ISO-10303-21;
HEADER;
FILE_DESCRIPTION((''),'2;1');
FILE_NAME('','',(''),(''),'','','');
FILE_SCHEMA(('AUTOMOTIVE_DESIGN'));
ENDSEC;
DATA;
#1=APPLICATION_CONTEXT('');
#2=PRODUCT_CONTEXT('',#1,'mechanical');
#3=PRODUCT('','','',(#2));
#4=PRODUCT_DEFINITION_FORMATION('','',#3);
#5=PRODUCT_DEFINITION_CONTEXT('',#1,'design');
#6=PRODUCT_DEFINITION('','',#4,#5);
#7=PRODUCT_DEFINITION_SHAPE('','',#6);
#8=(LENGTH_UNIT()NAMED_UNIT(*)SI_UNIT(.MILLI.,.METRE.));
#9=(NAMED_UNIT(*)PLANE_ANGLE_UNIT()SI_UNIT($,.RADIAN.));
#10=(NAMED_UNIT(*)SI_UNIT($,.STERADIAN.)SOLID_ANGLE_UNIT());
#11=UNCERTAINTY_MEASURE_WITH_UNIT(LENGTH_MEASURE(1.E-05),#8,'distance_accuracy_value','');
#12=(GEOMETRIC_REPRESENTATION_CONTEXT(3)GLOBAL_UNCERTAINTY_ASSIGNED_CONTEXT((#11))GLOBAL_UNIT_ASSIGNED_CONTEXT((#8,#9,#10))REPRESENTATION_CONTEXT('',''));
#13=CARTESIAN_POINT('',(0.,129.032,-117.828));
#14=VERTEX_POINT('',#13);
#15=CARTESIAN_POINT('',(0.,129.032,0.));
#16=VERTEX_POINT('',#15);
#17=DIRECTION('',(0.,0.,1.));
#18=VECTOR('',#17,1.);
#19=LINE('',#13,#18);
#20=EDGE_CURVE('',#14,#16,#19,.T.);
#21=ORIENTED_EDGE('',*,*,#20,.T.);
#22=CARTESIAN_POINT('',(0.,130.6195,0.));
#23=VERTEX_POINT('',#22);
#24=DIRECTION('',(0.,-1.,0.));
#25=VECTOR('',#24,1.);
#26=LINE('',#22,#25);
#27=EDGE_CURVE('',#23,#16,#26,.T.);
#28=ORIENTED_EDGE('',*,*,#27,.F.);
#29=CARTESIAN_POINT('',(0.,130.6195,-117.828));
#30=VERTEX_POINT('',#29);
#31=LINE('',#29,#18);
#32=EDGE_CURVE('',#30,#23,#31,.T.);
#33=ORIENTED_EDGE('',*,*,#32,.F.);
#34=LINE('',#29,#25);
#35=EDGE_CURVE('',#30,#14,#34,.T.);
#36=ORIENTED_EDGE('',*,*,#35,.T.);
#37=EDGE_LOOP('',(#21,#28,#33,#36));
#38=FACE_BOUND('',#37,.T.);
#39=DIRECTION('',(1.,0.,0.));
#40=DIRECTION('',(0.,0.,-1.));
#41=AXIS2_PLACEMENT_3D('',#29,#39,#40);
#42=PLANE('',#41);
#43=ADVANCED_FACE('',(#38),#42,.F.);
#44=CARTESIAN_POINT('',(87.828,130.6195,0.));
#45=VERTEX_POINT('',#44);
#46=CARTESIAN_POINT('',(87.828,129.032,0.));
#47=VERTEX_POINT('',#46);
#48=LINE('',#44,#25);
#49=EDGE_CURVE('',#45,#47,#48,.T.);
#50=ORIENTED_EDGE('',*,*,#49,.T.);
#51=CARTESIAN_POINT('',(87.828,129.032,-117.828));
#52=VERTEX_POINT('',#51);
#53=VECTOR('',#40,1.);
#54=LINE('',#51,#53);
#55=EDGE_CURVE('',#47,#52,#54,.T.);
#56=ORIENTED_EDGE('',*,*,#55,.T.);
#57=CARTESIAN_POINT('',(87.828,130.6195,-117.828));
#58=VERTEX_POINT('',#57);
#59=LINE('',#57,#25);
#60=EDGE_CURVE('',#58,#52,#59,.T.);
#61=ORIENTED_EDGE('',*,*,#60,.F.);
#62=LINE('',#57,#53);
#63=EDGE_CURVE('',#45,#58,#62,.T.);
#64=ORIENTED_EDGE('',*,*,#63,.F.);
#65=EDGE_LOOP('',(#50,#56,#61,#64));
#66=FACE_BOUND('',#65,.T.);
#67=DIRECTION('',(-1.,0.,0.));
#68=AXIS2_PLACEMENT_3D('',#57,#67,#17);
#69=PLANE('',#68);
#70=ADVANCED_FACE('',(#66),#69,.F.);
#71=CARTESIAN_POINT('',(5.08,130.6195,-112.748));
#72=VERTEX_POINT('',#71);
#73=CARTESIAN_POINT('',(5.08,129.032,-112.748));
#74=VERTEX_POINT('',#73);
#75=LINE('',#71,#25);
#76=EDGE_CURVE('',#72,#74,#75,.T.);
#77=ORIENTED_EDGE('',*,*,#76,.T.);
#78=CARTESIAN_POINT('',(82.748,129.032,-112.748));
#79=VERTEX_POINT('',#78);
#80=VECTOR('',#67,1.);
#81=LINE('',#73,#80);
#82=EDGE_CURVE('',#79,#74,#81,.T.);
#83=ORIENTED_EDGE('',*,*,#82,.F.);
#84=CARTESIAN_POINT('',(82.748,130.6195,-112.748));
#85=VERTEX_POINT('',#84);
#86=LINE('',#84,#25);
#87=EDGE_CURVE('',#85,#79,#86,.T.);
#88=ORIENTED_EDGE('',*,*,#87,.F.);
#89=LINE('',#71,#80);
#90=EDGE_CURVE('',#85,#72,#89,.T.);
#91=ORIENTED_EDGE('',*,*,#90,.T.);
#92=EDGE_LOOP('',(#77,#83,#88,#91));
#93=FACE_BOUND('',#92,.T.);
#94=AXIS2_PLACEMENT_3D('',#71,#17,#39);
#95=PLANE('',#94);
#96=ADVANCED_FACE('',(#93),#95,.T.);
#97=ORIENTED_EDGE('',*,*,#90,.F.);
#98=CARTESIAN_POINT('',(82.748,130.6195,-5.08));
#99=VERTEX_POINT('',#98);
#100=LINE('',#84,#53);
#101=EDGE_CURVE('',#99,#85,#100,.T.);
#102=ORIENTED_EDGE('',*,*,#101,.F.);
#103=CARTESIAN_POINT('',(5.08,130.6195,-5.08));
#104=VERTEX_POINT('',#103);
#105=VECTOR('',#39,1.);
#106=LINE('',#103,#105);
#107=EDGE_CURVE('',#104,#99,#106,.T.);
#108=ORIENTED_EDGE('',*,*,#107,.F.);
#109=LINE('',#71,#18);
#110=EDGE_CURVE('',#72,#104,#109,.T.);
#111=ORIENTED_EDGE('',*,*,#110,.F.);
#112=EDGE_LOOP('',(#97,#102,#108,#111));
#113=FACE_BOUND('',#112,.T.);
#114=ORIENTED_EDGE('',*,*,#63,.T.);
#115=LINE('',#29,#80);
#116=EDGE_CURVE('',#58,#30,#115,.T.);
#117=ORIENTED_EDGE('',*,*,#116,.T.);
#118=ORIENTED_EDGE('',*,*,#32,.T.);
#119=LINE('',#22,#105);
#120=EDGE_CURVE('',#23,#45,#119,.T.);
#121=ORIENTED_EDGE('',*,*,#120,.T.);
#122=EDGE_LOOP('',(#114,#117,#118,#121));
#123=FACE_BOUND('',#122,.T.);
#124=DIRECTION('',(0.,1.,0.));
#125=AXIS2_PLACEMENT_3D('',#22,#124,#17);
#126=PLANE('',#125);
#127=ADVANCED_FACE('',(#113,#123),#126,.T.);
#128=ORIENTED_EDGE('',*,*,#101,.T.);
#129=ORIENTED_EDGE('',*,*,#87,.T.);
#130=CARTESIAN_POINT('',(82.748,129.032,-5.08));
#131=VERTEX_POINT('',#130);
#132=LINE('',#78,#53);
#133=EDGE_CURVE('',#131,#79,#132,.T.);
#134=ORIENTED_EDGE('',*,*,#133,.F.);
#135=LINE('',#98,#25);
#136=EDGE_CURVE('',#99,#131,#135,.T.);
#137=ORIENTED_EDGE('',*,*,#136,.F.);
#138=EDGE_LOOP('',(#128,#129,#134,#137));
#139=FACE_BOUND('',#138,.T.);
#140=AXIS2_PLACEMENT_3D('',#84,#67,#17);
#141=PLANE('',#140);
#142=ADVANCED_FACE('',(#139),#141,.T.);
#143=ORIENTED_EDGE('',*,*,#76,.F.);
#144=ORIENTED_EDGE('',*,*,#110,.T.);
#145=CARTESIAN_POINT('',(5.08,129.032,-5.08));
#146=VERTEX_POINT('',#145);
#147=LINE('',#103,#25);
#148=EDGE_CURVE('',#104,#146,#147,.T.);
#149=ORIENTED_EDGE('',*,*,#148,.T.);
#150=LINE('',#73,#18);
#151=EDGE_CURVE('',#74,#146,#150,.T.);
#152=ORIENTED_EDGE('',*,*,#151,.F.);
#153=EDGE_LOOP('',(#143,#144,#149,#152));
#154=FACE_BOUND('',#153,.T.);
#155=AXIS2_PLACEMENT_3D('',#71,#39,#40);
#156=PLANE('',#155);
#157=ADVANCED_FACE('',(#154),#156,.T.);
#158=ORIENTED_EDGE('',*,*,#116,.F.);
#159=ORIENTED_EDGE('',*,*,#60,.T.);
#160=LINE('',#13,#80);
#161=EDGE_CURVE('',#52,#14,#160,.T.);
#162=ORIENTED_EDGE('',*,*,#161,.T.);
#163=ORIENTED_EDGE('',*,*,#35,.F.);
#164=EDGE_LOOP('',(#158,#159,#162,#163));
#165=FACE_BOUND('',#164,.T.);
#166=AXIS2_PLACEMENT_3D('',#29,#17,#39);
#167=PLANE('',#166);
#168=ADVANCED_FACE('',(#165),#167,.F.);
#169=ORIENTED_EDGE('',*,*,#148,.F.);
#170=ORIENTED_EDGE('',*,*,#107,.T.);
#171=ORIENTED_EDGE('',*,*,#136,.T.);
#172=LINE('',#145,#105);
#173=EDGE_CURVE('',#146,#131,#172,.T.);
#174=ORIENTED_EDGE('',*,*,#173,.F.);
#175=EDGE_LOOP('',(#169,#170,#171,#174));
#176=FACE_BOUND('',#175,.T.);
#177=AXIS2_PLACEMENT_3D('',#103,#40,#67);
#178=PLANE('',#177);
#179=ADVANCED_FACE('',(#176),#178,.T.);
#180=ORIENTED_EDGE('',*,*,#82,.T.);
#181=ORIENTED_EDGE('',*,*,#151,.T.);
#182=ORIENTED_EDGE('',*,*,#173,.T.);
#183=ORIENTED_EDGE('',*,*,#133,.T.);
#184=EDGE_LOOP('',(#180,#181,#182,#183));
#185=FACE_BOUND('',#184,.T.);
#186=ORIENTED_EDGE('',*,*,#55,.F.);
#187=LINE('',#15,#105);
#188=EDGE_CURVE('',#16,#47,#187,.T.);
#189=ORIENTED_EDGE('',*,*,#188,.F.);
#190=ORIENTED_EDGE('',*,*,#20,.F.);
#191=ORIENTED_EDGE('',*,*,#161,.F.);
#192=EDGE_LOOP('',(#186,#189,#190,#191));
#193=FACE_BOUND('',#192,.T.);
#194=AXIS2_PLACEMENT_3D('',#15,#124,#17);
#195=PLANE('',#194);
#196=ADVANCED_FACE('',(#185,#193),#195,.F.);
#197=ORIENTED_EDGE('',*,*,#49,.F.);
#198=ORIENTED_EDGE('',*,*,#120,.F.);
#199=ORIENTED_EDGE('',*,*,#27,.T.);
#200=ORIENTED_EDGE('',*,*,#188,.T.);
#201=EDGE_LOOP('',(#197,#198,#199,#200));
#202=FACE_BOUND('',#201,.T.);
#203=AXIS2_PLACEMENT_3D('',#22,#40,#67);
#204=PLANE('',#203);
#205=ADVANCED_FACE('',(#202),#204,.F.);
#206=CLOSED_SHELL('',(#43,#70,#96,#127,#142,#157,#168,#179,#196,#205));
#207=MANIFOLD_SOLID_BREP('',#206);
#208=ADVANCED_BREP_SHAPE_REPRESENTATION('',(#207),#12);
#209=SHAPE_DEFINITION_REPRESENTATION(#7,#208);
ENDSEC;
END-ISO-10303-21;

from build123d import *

# Parameters (mm, degrees)
SKETCH1_W           = 87.828
SKETCH1_H           = 117.828
SKETCH1_W_2         = 77.668
SKETCH1_H_2         = 107.668
BOSS_EXTRUDE1_DEPTH = 1.5875


with BuildPart() as part:
    # Sketch1 → Boss-Extrude1 (new body)
    with BuildSketch(Plane(origin=(0, 129.032, 0), x_dir=(1, 0, 0), z_dir=(0, 1, 0))):
        with Locations((43.914, 58.914)):
            Rectangle(SKETCH1_W, SKETCH1_H)
        with Locations((43.914, 58.914)):
            Rectangle(SKETCH1_W_2, SKETCH1_H_2, mode=Mode.SUBTRACT)
    extrude(amount=BOSS_EXTRUDE1_DEPTH)


solid = part.part
